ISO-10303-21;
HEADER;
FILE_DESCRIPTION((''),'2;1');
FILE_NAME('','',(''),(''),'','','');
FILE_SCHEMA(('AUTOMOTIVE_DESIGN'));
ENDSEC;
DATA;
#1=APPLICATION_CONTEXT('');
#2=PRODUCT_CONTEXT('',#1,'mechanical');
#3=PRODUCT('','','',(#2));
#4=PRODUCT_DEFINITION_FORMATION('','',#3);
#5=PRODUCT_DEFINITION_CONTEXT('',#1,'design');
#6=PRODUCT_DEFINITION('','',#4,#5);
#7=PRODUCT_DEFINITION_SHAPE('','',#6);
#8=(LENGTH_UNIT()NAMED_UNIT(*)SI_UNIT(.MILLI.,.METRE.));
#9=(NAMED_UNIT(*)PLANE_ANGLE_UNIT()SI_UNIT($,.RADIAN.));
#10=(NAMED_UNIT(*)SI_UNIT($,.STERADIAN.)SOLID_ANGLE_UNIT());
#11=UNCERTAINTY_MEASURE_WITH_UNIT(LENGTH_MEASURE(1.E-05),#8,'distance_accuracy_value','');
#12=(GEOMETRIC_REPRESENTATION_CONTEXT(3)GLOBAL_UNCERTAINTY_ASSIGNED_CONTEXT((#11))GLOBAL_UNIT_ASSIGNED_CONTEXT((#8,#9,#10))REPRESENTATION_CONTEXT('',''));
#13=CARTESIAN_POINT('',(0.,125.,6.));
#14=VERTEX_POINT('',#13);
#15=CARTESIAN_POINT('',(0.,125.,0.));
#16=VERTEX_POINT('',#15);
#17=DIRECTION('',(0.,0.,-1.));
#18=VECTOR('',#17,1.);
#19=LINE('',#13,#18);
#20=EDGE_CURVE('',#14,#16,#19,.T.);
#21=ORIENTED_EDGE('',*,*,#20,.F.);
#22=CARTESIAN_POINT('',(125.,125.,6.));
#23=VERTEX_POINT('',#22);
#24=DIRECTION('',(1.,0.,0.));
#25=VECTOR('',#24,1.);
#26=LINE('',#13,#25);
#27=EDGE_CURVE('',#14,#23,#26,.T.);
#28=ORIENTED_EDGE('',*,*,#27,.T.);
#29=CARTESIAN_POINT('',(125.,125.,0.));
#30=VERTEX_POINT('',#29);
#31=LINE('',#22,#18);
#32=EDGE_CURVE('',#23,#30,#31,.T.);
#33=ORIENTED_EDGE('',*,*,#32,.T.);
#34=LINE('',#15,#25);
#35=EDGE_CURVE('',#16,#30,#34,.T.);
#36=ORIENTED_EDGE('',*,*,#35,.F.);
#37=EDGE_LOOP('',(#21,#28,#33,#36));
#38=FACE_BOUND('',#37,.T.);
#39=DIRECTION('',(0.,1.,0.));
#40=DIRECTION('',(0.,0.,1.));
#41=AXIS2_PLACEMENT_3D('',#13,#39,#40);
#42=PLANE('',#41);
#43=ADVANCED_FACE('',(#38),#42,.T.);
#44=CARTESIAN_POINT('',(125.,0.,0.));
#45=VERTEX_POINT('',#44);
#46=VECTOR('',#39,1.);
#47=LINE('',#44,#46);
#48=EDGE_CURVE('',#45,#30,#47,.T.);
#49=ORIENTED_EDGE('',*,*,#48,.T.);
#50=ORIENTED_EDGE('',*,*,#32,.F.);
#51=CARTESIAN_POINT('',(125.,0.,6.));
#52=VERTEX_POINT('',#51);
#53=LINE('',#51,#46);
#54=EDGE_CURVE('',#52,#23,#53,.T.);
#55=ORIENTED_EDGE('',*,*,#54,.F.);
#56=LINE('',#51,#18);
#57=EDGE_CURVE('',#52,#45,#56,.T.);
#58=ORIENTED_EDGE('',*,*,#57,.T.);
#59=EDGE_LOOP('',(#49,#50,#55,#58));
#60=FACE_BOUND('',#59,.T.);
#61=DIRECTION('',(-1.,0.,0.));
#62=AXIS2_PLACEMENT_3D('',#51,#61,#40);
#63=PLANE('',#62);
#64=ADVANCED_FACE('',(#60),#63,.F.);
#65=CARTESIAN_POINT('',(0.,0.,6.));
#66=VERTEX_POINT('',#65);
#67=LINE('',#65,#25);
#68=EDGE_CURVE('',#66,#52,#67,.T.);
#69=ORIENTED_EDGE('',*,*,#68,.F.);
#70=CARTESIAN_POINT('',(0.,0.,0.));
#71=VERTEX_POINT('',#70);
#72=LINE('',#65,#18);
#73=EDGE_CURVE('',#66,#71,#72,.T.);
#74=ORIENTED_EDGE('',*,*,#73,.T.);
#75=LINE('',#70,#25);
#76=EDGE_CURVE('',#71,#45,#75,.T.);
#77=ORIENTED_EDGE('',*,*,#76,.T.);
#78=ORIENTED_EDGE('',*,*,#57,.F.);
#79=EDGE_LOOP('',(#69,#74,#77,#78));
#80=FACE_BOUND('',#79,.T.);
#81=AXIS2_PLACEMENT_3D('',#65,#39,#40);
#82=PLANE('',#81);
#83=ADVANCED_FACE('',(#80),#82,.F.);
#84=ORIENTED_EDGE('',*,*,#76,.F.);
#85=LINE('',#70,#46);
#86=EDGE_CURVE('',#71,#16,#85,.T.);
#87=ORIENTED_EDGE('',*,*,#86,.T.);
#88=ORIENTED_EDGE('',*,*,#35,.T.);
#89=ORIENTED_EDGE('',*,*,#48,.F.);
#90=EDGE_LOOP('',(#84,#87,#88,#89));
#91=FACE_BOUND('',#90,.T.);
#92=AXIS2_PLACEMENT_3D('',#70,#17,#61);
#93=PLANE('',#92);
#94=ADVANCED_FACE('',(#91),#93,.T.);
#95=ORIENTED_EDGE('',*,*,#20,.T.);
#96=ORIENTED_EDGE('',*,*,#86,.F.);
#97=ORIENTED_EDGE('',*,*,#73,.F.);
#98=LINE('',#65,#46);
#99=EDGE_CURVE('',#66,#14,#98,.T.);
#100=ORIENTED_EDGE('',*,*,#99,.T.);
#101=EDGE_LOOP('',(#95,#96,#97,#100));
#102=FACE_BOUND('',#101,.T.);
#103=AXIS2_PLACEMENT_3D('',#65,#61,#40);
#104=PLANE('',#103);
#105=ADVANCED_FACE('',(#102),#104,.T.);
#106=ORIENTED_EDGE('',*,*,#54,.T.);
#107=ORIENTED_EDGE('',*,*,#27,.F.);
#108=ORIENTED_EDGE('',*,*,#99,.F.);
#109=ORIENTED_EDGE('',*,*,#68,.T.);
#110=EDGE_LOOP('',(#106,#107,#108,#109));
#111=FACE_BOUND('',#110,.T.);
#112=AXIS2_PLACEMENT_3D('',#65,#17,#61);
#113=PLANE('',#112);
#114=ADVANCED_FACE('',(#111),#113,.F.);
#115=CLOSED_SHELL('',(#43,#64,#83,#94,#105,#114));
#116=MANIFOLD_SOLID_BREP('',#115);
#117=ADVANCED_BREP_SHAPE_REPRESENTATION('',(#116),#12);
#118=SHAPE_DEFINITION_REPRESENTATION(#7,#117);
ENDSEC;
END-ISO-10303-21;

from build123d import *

# Parameters (mm, degrees)
SKETCH1_W   = 125
SKETCH1_H   = 125
PLATE_DEPTH = 6


with BuildPart() as part:
    # Sketch1 → Plate (new body)
    with BuildSketch(Plane.XY):
        with Locations((62.5, 62.5)):
            Rectangle(SKETCH1_W, SKETCH1_H)
    extrude(amount=PLATE_DEPTH)


solid = part.part
